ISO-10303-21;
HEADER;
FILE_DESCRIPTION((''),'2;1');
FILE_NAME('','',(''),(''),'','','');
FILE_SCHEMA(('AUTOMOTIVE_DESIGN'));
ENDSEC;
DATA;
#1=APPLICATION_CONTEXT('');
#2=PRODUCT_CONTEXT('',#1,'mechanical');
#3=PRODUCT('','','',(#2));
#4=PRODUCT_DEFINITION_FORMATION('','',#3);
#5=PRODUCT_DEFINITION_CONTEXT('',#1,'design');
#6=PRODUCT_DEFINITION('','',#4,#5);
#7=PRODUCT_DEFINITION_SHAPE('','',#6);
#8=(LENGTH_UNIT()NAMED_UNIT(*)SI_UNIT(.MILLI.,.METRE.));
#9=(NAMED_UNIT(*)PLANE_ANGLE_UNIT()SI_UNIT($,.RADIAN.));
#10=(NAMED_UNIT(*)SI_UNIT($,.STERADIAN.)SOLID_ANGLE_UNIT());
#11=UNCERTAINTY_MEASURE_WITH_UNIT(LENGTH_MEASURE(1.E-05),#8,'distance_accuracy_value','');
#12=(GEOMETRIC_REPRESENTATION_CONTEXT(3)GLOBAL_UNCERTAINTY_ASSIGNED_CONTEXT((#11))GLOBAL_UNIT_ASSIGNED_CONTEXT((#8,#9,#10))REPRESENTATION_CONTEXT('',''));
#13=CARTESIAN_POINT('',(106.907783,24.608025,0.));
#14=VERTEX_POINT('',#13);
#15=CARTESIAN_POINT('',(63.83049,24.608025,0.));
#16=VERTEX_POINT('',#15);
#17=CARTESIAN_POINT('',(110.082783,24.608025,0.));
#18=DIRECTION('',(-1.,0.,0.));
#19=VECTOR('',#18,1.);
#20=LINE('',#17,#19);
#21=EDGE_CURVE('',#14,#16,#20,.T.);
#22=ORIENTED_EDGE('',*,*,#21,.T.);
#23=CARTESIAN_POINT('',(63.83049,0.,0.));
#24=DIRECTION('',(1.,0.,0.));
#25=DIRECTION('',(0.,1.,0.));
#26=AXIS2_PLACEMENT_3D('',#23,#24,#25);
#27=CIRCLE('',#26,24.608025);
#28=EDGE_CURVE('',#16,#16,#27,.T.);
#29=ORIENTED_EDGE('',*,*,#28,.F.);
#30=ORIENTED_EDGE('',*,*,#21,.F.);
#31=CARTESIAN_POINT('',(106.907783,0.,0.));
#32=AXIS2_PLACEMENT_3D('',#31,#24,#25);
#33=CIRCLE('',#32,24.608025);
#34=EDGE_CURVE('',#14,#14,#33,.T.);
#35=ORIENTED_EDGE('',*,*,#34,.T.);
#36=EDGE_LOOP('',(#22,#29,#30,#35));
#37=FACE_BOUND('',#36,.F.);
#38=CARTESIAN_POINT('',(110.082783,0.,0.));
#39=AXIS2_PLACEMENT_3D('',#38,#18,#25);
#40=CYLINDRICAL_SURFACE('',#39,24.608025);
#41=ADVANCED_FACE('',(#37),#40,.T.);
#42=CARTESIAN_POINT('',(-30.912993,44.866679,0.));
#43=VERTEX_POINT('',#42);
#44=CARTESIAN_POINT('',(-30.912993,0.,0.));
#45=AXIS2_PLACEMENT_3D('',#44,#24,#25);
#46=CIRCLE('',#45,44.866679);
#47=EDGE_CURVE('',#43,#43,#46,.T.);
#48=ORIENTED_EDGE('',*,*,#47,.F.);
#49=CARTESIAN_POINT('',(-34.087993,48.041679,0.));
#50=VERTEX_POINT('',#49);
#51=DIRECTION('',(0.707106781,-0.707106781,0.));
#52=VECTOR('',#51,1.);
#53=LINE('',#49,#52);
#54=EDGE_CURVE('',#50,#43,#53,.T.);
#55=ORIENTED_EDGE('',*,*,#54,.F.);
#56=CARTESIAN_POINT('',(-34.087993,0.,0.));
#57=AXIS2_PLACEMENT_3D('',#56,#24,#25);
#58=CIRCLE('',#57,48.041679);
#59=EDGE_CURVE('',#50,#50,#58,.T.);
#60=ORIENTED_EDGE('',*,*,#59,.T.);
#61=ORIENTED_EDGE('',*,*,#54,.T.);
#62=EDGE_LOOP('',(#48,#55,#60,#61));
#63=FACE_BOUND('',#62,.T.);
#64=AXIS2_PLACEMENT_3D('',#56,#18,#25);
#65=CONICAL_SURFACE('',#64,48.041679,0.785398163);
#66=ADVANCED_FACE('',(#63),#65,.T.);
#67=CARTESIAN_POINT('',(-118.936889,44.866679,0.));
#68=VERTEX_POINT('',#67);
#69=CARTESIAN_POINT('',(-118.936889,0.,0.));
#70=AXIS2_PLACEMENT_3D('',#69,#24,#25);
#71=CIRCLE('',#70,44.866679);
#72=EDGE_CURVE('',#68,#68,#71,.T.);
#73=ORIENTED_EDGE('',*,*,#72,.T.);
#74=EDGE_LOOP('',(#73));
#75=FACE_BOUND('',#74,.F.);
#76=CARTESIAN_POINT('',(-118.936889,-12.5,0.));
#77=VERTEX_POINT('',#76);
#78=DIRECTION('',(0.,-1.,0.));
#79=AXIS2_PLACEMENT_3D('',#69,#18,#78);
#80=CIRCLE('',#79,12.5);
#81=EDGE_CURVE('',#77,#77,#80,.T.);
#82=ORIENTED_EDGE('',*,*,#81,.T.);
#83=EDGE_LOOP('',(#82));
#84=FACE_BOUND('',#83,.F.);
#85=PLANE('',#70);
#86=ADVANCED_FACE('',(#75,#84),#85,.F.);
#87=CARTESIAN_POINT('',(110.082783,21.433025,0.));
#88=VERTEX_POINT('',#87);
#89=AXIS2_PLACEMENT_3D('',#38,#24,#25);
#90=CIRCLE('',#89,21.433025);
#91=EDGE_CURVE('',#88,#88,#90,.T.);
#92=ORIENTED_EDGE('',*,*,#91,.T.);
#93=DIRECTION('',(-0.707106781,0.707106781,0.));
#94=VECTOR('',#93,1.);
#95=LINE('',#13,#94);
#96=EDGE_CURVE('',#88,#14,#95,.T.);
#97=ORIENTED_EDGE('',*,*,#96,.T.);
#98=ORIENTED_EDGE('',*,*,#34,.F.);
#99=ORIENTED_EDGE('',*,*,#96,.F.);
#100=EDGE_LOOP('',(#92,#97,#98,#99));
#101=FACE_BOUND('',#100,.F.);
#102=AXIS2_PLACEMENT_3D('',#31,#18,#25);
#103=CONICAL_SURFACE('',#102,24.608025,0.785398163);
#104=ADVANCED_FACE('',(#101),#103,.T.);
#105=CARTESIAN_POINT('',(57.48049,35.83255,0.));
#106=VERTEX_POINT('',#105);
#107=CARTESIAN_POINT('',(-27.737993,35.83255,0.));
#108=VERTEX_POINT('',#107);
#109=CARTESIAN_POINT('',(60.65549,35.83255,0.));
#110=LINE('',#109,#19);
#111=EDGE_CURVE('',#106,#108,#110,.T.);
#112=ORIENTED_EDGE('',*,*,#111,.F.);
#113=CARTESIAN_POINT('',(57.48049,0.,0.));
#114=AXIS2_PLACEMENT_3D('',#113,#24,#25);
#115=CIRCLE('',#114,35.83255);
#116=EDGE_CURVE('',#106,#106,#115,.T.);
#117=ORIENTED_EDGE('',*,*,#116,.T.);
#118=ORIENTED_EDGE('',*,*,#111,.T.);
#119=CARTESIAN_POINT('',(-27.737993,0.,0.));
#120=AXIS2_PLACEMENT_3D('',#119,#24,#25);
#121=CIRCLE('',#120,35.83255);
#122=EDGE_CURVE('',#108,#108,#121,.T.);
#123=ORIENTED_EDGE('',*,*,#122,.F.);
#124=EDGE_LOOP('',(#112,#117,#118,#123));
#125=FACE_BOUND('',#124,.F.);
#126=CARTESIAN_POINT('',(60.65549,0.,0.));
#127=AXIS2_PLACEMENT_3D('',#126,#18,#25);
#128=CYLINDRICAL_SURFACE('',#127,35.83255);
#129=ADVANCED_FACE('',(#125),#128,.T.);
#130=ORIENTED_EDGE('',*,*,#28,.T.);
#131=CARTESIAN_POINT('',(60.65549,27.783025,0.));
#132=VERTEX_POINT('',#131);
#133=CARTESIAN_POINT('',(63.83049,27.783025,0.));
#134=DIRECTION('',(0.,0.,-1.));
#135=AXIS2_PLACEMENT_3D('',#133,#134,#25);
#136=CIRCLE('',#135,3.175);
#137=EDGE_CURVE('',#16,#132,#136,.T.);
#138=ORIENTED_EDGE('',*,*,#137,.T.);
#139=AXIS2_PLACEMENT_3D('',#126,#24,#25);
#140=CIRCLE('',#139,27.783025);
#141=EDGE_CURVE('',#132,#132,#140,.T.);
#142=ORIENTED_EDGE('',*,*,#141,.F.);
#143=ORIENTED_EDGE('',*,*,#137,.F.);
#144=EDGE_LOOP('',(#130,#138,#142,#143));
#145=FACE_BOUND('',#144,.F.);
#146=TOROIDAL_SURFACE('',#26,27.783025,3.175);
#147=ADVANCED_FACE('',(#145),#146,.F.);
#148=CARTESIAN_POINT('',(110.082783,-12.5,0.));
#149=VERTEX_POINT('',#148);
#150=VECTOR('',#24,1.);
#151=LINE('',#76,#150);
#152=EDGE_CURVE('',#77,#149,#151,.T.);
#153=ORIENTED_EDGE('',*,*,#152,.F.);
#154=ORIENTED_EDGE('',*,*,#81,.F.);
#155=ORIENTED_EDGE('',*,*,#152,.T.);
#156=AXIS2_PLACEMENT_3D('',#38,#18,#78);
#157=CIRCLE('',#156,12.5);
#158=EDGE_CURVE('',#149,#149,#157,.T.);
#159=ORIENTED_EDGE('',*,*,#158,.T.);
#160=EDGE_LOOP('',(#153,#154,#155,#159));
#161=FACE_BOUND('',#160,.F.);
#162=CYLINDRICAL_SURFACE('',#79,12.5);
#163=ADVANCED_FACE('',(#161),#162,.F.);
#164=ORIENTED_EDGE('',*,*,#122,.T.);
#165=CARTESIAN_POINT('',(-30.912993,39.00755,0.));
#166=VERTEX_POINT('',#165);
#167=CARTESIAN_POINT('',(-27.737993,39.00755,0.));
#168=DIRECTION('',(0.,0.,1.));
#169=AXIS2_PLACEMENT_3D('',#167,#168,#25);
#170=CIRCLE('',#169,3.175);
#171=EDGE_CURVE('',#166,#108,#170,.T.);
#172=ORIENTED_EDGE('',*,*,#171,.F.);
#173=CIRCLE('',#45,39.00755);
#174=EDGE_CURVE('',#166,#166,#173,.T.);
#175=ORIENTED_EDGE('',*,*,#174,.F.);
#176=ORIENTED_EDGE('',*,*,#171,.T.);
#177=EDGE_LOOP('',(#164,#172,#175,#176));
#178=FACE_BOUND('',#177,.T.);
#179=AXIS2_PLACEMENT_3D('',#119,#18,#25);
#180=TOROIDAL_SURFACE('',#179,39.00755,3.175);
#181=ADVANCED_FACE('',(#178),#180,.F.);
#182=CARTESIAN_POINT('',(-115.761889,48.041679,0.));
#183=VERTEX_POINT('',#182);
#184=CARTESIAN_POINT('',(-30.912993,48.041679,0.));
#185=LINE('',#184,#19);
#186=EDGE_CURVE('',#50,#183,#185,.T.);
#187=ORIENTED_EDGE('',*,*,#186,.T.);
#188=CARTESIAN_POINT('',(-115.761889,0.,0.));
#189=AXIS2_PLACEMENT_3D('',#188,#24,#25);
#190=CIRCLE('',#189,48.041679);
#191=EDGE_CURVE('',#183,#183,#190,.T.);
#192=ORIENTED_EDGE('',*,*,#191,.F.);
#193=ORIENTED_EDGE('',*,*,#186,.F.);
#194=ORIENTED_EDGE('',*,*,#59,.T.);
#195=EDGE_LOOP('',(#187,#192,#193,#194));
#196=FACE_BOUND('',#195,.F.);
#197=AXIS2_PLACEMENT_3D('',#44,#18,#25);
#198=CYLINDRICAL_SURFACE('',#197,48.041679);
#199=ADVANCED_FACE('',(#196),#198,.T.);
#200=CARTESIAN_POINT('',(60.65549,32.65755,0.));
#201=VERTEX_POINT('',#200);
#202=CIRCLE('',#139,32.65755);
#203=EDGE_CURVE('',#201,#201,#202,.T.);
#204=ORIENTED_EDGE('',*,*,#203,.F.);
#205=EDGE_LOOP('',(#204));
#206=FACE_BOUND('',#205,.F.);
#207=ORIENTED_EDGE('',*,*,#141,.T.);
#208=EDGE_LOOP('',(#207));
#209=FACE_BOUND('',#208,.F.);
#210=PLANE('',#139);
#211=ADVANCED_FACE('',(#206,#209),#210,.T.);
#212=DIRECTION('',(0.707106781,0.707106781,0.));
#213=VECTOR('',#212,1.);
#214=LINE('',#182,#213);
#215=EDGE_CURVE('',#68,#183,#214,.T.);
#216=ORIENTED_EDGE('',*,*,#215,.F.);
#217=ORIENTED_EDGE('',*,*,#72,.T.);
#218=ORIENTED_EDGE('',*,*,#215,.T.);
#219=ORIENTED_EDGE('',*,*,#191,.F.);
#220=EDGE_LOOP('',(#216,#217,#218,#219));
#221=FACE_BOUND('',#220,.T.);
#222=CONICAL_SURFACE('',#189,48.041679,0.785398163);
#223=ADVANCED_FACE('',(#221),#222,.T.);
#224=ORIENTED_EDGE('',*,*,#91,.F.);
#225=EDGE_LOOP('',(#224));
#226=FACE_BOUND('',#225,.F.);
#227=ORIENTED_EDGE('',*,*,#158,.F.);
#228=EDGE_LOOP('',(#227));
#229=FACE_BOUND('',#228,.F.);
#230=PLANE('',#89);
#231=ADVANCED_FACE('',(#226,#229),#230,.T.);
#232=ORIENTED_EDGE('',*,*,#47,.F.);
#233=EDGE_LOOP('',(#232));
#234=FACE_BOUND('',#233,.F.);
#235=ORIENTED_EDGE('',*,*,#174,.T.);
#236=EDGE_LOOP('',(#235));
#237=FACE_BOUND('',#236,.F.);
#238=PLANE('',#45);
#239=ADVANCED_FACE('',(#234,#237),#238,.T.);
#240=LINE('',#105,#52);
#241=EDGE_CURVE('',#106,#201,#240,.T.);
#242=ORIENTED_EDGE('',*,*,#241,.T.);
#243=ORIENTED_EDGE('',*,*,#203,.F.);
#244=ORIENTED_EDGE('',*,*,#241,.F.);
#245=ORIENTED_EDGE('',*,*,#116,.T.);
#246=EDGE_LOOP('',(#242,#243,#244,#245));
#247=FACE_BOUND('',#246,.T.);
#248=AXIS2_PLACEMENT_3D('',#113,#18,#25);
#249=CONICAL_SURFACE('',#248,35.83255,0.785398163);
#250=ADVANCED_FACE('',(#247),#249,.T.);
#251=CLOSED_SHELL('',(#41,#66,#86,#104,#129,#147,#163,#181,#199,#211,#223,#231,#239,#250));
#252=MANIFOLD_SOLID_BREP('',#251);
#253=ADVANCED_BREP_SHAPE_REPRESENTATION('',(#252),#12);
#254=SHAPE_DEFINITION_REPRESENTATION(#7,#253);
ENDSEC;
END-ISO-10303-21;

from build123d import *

# Parameters (mm, degrees)
F2_R     = 12.5
F3_DEPTH = 253.15408
F4_SIZE  = 3.175
F5_R     = 3.175


with BuildPart() as f1:
    # F0 (on Top) → F1 (revolve)
    with BuildSketch(Plane.XY):
        Polygon((-118.936889, 48.041679), (-118.936889, 0), (110.082783, 0), (110.082783, 24.608025), (60.65549, 24.608025), (60.65549, 35.83255), (-30.912993, 35.83255), (-30.912993, 48.041679), align=None)
    revolve(axis=Axis((-4.427053, 0, 0), (1, 0, 0)))

    # F2 (on face) → F3 (cut)
    with BuildSketch(Plane(origin=(-118.936889, 0, 0), x_dir=(0, -1, 0), z_dir=(-1, 0, 0))):
        Circle(F2_R)
    extrude(amount=-F3_DEPTH, mode=Mode.SUBTRACT)

    # F4
    f4_edges = [f1.edges().sort_by_distance(p)[0] for p in [
        (-118.936889, -48.041679, 0),
        (-30.912993, -48.041679, 0),
        (60.65549, -35.83255, 0),
        (110.082783, -24.608025, 0),
    ]]
    chamfer(f4_edges, length=F4_SIZE)

    # F5
    f5_edges = [f1.edges().sort_by_distance(p)[0] for p in [
        (60.65549, -24.608025, 0),
        (-30.912993, -35.83255, 0),
    ]]
    fillet(f5_edges, radius=F5_R)


solid = f1.part
